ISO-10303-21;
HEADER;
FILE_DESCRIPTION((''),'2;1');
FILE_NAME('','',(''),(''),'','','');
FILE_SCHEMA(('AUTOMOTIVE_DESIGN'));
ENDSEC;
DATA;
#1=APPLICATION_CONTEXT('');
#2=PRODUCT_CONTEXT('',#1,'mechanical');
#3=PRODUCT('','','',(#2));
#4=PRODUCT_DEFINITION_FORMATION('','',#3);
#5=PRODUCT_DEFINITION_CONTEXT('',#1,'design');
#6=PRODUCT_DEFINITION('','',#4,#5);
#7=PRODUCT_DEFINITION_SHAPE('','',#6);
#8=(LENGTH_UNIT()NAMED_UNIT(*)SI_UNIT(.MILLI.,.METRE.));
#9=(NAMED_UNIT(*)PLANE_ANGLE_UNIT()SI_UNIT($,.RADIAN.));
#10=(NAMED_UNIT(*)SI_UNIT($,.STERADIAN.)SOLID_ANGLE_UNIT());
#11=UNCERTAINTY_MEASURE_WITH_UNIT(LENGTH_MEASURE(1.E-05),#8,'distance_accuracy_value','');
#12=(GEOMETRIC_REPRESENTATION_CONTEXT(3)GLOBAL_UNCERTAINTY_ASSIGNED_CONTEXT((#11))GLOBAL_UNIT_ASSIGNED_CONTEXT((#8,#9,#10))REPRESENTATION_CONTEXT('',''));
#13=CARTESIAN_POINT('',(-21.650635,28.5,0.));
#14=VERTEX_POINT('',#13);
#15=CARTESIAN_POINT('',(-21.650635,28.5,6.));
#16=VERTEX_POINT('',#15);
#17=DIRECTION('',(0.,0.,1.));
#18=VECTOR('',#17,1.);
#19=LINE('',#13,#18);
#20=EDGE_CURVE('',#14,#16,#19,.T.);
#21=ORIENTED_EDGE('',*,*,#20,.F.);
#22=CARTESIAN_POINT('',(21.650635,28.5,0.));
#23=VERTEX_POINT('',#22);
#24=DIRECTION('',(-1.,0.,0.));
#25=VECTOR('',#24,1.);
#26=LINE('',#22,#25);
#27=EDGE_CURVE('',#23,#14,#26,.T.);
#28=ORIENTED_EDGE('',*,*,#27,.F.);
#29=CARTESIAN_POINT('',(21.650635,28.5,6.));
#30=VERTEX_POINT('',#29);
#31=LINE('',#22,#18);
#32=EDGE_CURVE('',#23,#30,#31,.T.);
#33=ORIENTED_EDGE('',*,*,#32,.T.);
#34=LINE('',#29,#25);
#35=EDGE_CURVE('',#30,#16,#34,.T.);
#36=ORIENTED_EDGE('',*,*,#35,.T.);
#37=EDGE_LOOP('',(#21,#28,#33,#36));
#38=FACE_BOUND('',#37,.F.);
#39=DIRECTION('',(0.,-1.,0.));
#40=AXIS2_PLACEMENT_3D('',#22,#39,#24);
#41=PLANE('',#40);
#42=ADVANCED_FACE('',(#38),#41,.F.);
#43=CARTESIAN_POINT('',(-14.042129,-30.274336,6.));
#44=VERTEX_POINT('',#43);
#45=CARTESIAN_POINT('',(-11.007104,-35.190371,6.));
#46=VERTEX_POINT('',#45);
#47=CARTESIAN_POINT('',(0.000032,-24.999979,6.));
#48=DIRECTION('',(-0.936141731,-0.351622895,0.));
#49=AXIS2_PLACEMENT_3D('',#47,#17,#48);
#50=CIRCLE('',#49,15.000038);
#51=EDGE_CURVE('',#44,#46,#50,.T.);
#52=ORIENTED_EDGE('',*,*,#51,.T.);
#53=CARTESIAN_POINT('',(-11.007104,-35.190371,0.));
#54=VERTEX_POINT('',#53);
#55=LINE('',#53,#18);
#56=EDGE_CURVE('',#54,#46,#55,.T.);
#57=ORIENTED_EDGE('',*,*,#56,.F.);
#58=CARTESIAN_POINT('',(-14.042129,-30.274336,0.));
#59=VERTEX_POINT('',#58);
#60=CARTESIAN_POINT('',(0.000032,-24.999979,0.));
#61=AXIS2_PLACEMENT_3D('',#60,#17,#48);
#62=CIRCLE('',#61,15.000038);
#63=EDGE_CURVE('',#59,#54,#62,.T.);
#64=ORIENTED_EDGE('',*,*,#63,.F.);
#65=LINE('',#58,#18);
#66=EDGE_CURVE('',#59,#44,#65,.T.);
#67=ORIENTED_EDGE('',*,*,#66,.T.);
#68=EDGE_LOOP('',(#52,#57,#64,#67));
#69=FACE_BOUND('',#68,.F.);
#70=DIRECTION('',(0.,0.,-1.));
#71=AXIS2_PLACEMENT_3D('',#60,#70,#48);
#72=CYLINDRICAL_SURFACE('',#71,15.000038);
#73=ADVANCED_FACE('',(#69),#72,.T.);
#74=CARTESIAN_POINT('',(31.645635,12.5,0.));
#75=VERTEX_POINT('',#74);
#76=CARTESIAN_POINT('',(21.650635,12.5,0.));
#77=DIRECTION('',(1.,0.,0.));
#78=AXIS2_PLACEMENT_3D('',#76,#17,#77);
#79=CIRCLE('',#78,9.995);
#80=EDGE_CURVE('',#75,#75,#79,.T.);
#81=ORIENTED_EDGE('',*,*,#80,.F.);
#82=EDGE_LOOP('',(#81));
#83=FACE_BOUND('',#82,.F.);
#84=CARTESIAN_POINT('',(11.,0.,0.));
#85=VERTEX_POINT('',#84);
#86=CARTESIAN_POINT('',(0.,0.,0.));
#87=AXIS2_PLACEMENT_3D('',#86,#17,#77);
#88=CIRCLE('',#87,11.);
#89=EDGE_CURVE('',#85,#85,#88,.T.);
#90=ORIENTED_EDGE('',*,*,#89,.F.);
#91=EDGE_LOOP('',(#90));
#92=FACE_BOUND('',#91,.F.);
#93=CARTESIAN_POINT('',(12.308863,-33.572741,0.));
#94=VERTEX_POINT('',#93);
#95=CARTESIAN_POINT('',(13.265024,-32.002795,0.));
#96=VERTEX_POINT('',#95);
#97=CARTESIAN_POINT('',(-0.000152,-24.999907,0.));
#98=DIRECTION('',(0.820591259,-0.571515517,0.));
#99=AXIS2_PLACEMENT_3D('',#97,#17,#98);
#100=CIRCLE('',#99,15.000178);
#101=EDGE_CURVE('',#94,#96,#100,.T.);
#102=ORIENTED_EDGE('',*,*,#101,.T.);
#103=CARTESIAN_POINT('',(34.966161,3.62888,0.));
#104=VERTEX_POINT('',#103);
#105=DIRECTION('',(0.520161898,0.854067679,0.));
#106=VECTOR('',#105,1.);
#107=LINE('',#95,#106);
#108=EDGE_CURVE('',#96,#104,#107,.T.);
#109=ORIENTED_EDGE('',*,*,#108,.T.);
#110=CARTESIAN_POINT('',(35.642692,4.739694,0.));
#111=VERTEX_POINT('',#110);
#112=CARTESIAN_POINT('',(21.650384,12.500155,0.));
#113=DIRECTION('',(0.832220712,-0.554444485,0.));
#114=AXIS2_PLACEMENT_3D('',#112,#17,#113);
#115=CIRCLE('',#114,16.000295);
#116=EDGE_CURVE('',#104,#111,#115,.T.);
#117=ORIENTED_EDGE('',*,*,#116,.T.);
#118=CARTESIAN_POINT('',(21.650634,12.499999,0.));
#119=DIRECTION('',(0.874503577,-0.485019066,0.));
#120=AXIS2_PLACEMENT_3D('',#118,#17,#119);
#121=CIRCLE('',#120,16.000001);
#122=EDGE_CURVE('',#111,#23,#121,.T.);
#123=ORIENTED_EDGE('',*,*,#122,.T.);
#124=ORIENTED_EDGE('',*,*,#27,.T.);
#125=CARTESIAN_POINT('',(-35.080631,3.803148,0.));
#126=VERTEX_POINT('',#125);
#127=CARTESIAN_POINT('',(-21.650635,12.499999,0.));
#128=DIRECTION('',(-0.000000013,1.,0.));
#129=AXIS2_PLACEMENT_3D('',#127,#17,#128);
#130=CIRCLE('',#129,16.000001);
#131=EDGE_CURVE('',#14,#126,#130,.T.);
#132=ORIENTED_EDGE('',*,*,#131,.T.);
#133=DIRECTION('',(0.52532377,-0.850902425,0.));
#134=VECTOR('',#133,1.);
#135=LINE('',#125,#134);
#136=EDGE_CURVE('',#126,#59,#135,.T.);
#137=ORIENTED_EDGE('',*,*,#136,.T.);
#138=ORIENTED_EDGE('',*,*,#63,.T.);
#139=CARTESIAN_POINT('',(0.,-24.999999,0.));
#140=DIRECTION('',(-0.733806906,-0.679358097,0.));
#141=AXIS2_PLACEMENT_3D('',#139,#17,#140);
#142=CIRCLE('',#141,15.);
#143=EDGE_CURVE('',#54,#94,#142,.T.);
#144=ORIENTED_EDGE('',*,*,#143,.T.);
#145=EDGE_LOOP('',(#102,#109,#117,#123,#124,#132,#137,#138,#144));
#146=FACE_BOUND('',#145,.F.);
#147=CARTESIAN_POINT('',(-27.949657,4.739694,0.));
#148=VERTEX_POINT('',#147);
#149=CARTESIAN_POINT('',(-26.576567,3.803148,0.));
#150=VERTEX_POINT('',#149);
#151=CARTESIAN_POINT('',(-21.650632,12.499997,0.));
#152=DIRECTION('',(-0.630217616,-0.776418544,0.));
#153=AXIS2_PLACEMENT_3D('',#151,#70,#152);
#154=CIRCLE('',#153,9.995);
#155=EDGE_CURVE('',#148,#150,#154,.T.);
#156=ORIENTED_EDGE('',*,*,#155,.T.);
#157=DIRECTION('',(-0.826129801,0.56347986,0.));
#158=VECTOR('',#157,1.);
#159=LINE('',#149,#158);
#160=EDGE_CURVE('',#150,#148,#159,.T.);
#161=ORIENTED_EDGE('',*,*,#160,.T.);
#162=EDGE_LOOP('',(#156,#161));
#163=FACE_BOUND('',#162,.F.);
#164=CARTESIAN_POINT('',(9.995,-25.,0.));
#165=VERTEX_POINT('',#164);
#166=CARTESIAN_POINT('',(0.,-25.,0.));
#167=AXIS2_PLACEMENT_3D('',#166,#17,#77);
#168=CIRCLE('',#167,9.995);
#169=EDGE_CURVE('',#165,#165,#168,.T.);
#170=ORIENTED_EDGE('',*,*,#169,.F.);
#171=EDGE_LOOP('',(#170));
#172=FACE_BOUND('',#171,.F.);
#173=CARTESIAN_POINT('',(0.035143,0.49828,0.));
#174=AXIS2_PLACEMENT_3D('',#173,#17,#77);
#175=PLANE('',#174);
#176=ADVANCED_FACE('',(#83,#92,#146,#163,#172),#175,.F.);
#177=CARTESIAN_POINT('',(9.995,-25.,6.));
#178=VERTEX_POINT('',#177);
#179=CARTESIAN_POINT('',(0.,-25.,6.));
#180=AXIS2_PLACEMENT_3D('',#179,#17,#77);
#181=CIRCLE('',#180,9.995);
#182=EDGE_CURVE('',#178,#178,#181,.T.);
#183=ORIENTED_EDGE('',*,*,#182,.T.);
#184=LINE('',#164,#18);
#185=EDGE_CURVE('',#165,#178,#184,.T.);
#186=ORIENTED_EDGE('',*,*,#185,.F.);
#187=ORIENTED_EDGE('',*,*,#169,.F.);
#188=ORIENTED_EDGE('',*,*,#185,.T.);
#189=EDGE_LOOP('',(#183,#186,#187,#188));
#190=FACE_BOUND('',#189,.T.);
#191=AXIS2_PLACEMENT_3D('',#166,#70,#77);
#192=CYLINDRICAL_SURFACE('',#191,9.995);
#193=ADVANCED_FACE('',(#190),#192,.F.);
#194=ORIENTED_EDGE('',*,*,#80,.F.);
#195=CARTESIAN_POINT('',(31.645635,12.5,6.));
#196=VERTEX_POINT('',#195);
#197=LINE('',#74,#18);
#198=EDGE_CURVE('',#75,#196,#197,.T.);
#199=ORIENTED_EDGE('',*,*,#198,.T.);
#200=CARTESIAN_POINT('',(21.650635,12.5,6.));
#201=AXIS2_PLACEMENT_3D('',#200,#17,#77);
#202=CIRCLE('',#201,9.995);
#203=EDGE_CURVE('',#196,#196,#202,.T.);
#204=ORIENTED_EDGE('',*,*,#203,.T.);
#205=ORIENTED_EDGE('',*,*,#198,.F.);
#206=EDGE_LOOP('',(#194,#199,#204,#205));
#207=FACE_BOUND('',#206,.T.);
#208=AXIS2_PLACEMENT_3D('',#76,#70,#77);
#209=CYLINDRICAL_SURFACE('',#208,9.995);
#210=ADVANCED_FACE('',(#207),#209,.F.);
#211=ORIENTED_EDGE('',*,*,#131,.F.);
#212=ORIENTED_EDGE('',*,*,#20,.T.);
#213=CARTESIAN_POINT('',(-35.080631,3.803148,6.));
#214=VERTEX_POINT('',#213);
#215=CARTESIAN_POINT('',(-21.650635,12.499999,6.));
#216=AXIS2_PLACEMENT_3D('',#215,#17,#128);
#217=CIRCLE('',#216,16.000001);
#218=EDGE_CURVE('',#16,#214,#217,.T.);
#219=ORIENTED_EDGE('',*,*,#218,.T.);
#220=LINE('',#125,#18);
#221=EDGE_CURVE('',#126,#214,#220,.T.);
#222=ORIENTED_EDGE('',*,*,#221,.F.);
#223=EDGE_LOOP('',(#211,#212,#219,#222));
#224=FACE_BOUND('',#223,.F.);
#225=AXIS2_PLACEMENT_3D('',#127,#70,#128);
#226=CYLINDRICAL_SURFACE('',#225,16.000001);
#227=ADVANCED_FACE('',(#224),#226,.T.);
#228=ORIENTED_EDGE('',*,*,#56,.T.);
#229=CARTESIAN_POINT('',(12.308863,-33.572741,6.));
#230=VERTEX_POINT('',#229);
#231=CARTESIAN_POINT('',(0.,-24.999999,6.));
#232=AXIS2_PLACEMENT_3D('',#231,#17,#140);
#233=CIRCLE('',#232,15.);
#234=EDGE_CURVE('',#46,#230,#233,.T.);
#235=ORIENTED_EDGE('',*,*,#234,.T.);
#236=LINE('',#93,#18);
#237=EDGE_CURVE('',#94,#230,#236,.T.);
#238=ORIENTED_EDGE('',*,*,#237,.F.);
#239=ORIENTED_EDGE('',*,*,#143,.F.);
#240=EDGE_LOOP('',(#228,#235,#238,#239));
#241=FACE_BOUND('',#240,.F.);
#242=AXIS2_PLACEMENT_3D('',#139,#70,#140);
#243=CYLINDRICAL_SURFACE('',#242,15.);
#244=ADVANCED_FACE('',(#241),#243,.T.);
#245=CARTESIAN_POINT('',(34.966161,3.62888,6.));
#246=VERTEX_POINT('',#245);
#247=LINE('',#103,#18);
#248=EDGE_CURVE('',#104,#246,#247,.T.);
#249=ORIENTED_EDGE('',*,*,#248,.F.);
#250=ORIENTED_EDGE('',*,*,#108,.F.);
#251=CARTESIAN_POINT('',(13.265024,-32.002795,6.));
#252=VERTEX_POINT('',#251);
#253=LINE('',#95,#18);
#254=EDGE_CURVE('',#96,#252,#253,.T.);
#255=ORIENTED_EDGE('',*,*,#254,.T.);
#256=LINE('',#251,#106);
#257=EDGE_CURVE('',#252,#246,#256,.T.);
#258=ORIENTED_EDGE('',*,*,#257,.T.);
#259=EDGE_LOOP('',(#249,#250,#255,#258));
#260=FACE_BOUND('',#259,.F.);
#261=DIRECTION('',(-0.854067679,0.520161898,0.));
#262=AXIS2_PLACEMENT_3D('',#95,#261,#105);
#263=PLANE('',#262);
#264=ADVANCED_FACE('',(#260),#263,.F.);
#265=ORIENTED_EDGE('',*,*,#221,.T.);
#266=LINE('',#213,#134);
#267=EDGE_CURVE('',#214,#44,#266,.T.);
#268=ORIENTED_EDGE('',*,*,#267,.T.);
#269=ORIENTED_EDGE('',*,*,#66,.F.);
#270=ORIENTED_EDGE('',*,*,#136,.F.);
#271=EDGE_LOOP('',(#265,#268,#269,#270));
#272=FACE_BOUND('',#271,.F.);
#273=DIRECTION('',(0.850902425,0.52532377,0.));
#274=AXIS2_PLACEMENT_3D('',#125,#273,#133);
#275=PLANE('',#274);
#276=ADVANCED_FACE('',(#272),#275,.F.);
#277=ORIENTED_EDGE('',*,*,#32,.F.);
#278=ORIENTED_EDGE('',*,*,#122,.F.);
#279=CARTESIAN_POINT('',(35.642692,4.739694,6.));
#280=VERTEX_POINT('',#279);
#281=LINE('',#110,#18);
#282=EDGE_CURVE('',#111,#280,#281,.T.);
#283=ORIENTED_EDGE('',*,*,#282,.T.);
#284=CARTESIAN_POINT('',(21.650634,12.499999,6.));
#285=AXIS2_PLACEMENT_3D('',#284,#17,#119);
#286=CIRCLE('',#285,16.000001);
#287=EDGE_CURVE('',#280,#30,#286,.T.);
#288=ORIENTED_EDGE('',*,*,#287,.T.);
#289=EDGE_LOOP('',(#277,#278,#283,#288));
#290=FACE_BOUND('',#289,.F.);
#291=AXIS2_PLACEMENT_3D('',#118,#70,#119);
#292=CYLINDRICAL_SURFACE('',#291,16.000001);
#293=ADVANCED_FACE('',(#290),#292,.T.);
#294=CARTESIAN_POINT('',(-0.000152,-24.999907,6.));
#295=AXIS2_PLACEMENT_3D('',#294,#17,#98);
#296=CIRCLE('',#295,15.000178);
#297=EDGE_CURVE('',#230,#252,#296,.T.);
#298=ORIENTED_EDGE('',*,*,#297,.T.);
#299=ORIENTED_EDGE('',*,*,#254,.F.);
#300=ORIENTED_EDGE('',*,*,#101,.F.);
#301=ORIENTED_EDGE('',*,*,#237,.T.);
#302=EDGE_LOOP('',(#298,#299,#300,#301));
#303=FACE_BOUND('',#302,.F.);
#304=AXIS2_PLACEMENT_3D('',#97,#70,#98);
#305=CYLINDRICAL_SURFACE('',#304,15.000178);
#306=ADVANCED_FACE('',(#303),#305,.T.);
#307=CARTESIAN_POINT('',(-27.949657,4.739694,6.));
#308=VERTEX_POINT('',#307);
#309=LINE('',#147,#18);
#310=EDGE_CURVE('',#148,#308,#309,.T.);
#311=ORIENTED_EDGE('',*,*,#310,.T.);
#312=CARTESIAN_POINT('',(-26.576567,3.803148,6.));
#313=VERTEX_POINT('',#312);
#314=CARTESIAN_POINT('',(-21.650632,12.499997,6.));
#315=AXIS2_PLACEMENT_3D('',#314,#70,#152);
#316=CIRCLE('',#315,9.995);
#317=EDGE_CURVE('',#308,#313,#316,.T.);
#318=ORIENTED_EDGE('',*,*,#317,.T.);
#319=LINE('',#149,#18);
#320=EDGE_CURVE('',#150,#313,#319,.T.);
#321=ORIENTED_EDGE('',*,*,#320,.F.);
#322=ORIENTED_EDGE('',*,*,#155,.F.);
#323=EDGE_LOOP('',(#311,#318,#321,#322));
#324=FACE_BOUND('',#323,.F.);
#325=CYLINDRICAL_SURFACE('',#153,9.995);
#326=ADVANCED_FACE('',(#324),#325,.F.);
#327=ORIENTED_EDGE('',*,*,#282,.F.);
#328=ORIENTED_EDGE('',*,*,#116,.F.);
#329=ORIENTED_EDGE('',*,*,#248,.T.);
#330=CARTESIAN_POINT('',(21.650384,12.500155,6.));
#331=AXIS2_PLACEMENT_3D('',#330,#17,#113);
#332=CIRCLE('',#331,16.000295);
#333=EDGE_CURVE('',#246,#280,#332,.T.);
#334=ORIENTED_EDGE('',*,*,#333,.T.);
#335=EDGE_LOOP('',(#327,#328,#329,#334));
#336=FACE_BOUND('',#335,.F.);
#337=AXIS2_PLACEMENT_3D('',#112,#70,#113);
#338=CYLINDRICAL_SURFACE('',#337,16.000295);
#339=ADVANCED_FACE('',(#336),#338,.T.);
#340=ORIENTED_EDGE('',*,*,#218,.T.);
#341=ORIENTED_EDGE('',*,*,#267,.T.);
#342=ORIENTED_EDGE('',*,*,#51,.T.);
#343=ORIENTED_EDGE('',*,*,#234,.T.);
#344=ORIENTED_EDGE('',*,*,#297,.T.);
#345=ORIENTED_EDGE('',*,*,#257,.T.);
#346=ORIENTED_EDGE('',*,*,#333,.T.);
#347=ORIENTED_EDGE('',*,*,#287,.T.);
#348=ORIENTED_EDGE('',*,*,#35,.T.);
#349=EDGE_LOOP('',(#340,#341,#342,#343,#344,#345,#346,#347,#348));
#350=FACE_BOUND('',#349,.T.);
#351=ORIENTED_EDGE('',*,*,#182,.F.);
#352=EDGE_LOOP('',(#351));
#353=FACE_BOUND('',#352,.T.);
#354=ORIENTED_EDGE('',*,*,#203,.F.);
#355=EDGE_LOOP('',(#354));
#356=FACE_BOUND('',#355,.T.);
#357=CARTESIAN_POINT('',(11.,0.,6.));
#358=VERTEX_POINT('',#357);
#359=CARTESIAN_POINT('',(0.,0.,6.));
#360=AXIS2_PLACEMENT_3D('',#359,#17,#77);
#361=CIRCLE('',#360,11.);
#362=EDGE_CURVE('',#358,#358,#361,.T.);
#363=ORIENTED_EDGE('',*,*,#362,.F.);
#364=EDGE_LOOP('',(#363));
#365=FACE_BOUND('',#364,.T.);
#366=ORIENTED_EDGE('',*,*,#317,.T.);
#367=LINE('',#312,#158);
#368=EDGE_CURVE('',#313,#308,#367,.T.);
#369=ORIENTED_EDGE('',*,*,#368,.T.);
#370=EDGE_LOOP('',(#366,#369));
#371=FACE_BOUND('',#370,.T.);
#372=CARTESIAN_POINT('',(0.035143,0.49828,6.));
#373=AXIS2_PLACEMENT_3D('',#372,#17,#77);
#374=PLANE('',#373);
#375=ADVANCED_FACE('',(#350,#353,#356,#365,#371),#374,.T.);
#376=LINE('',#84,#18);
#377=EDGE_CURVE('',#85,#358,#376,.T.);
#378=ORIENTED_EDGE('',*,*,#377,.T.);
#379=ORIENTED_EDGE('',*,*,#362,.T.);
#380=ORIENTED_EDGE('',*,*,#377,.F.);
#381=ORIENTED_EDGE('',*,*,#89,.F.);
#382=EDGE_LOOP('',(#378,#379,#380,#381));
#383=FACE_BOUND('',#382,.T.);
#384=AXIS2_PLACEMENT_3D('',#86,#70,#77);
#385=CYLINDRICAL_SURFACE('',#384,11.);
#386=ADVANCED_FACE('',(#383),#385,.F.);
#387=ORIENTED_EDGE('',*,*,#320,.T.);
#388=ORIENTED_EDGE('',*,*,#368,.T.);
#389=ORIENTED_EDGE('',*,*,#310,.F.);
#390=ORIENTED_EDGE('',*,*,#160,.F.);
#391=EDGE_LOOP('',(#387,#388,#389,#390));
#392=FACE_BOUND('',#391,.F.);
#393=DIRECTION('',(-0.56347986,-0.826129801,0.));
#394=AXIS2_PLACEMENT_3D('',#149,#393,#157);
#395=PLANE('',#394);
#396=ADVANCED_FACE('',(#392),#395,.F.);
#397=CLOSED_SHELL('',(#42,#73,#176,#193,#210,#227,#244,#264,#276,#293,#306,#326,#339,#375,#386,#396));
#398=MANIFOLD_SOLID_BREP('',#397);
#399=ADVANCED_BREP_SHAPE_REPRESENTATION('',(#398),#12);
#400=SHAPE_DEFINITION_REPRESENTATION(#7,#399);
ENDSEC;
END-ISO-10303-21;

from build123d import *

# Parameters (mm, degrees)
F0_R     = 9.995
F0_R_2   = 11
F1_DEPTH = 6


with BuildPart() as f1:
    # F0 (on Top) → F1 (new body)
    with BuildSketch(Plane.XY):
        with BuildLine():
            Line((21.650635, 28.5), (-21.650635, 28.5))
            ThreePointArc((-21.650635, 28.5), (-35.706766, 20.143637), (-35.080631, 3.803148))
            Line((-35.080631, 3.803148), (-14.042129, -30.274336))
            Line((-14.042129, -30.274336), (-11.007104, -35.190371))
            ThreePointArc((-11.007104, -35.190371), (1.038184, -39.964029), (12.308863, -33.572741))
            Line((12.308863, -33.572741), (13.265024, -32.002795))
            Line((13.265024, -32.002795), (34.966161, 3.62888))
            Line((34.966161, 3.62888), (35.642692, 4.739694))
            ThreePointArc((35.642692, 4.739694), (35.437674, 20.618962), (21.650635, 28.5))
        make_face()
        with Locations((0, -25)):
            Circle(F0_R, mode=Mode.SUBTRACT)
        with BuildLine():
            ThreePointArc((-27.949657, 4.739694), (-16.018657, 20.757169), (-26.576567, 3.803148))
            Line((-26.576567, 3.803148), (-27.949657, 4.739694))
        make_face(mode=Mode.SUBTRACT)
        Circle(F0_R_2, mode=Mode.SUBTRACT)
        with Locations((21.650635, 12.5)):
            Circle(F0_R, mode=Mode.SUBTRACT)
        with BuildLine():
            Line((-11.007104, -35.190371), (-14.042129, -30.274336))
            ThreePointArc((-14.042129, -30.274336), (-12.763536, -32.879856), (-11.007104, -35.190371))
        make_face()
        with BuildLine():
            ThreePointArc((34.966161, 3.62888), (35.315718, 4.17741), (35.642692, 4.739694))
            Line((35.642692, 4.739694), (34.966161, 3.62888))
        make_face()
        with BuildLine():
            Line((13.265024, -32.002795), (12.308863, -33.572741))
            ThreePointArc((12.308863, -33.572741), (12.811015, -32.802428), (13.265024, -32.002795))
        make_face()
    extrude(amount=F1_DEPTH)


solid = f1.part
